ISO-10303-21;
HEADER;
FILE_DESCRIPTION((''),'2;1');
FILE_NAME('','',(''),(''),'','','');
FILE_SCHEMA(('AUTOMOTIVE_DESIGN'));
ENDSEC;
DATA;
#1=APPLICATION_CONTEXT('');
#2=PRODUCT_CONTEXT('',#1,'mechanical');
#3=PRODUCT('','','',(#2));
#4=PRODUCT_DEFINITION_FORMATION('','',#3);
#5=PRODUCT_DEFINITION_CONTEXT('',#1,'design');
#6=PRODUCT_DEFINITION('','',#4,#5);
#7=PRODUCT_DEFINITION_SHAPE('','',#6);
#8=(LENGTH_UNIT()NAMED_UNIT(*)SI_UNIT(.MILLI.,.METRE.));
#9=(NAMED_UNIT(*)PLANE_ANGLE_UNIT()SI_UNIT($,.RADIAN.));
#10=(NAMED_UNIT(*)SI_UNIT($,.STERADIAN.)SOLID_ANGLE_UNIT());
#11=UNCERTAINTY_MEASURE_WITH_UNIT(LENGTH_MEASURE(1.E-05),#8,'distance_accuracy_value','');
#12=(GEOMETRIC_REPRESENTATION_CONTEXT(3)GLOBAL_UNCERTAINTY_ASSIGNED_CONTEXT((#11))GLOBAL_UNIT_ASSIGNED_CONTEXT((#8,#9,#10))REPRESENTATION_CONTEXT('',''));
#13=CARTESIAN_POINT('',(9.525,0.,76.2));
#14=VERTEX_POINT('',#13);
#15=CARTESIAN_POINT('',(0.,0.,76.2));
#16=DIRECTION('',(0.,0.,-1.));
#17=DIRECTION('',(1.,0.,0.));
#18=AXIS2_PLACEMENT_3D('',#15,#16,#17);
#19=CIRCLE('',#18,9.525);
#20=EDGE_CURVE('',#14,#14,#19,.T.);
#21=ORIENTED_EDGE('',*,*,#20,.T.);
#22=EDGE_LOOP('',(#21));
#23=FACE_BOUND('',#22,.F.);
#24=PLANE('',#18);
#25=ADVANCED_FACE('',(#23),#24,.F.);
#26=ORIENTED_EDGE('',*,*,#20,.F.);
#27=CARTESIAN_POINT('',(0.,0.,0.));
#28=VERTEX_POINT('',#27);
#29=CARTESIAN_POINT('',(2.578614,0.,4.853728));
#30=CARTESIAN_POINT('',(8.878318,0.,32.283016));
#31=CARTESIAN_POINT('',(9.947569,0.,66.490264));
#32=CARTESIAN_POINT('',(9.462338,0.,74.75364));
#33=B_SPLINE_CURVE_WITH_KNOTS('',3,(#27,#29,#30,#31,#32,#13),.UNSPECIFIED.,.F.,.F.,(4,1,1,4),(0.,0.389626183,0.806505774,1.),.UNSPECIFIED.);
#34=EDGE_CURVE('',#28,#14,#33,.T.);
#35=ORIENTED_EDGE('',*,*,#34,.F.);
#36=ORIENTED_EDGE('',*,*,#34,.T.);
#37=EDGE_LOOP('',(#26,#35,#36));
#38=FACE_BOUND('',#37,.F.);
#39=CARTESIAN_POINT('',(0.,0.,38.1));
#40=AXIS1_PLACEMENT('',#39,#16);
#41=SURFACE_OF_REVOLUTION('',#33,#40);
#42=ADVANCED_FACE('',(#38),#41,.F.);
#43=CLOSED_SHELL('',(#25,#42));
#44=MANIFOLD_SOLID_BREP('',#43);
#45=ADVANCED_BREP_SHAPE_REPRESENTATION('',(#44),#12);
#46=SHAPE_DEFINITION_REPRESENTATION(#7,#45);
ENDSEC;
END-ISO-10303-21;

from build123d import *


with BuildPart() as f1:
    # F0 (on Front) → F1 (revolve)
    with BuildSketch(Plane.XZ):
        with BuildLine():
            Line((0, 76.2), (0, 0))
            add(Edge.make_bspline(
                [(0, 0), (2.5786140352, 4.8537277635), (8.8783180103, 32.283016187), (9.9475691288, 66.4902643733), (9.4623379142, 74.753640377), (9.525, 76.2)],
                knots=[0, 0, 0, 0, 0.3896261833, 0.8065057743, 1, 1, 1, 1], degree=3))
            Line((9.525, 76.2), (0, 76.2))
        make_face()
    revolve(axis=Axis((0, 0, 38.1), (0, 0, -1)))


solid = f1.part
